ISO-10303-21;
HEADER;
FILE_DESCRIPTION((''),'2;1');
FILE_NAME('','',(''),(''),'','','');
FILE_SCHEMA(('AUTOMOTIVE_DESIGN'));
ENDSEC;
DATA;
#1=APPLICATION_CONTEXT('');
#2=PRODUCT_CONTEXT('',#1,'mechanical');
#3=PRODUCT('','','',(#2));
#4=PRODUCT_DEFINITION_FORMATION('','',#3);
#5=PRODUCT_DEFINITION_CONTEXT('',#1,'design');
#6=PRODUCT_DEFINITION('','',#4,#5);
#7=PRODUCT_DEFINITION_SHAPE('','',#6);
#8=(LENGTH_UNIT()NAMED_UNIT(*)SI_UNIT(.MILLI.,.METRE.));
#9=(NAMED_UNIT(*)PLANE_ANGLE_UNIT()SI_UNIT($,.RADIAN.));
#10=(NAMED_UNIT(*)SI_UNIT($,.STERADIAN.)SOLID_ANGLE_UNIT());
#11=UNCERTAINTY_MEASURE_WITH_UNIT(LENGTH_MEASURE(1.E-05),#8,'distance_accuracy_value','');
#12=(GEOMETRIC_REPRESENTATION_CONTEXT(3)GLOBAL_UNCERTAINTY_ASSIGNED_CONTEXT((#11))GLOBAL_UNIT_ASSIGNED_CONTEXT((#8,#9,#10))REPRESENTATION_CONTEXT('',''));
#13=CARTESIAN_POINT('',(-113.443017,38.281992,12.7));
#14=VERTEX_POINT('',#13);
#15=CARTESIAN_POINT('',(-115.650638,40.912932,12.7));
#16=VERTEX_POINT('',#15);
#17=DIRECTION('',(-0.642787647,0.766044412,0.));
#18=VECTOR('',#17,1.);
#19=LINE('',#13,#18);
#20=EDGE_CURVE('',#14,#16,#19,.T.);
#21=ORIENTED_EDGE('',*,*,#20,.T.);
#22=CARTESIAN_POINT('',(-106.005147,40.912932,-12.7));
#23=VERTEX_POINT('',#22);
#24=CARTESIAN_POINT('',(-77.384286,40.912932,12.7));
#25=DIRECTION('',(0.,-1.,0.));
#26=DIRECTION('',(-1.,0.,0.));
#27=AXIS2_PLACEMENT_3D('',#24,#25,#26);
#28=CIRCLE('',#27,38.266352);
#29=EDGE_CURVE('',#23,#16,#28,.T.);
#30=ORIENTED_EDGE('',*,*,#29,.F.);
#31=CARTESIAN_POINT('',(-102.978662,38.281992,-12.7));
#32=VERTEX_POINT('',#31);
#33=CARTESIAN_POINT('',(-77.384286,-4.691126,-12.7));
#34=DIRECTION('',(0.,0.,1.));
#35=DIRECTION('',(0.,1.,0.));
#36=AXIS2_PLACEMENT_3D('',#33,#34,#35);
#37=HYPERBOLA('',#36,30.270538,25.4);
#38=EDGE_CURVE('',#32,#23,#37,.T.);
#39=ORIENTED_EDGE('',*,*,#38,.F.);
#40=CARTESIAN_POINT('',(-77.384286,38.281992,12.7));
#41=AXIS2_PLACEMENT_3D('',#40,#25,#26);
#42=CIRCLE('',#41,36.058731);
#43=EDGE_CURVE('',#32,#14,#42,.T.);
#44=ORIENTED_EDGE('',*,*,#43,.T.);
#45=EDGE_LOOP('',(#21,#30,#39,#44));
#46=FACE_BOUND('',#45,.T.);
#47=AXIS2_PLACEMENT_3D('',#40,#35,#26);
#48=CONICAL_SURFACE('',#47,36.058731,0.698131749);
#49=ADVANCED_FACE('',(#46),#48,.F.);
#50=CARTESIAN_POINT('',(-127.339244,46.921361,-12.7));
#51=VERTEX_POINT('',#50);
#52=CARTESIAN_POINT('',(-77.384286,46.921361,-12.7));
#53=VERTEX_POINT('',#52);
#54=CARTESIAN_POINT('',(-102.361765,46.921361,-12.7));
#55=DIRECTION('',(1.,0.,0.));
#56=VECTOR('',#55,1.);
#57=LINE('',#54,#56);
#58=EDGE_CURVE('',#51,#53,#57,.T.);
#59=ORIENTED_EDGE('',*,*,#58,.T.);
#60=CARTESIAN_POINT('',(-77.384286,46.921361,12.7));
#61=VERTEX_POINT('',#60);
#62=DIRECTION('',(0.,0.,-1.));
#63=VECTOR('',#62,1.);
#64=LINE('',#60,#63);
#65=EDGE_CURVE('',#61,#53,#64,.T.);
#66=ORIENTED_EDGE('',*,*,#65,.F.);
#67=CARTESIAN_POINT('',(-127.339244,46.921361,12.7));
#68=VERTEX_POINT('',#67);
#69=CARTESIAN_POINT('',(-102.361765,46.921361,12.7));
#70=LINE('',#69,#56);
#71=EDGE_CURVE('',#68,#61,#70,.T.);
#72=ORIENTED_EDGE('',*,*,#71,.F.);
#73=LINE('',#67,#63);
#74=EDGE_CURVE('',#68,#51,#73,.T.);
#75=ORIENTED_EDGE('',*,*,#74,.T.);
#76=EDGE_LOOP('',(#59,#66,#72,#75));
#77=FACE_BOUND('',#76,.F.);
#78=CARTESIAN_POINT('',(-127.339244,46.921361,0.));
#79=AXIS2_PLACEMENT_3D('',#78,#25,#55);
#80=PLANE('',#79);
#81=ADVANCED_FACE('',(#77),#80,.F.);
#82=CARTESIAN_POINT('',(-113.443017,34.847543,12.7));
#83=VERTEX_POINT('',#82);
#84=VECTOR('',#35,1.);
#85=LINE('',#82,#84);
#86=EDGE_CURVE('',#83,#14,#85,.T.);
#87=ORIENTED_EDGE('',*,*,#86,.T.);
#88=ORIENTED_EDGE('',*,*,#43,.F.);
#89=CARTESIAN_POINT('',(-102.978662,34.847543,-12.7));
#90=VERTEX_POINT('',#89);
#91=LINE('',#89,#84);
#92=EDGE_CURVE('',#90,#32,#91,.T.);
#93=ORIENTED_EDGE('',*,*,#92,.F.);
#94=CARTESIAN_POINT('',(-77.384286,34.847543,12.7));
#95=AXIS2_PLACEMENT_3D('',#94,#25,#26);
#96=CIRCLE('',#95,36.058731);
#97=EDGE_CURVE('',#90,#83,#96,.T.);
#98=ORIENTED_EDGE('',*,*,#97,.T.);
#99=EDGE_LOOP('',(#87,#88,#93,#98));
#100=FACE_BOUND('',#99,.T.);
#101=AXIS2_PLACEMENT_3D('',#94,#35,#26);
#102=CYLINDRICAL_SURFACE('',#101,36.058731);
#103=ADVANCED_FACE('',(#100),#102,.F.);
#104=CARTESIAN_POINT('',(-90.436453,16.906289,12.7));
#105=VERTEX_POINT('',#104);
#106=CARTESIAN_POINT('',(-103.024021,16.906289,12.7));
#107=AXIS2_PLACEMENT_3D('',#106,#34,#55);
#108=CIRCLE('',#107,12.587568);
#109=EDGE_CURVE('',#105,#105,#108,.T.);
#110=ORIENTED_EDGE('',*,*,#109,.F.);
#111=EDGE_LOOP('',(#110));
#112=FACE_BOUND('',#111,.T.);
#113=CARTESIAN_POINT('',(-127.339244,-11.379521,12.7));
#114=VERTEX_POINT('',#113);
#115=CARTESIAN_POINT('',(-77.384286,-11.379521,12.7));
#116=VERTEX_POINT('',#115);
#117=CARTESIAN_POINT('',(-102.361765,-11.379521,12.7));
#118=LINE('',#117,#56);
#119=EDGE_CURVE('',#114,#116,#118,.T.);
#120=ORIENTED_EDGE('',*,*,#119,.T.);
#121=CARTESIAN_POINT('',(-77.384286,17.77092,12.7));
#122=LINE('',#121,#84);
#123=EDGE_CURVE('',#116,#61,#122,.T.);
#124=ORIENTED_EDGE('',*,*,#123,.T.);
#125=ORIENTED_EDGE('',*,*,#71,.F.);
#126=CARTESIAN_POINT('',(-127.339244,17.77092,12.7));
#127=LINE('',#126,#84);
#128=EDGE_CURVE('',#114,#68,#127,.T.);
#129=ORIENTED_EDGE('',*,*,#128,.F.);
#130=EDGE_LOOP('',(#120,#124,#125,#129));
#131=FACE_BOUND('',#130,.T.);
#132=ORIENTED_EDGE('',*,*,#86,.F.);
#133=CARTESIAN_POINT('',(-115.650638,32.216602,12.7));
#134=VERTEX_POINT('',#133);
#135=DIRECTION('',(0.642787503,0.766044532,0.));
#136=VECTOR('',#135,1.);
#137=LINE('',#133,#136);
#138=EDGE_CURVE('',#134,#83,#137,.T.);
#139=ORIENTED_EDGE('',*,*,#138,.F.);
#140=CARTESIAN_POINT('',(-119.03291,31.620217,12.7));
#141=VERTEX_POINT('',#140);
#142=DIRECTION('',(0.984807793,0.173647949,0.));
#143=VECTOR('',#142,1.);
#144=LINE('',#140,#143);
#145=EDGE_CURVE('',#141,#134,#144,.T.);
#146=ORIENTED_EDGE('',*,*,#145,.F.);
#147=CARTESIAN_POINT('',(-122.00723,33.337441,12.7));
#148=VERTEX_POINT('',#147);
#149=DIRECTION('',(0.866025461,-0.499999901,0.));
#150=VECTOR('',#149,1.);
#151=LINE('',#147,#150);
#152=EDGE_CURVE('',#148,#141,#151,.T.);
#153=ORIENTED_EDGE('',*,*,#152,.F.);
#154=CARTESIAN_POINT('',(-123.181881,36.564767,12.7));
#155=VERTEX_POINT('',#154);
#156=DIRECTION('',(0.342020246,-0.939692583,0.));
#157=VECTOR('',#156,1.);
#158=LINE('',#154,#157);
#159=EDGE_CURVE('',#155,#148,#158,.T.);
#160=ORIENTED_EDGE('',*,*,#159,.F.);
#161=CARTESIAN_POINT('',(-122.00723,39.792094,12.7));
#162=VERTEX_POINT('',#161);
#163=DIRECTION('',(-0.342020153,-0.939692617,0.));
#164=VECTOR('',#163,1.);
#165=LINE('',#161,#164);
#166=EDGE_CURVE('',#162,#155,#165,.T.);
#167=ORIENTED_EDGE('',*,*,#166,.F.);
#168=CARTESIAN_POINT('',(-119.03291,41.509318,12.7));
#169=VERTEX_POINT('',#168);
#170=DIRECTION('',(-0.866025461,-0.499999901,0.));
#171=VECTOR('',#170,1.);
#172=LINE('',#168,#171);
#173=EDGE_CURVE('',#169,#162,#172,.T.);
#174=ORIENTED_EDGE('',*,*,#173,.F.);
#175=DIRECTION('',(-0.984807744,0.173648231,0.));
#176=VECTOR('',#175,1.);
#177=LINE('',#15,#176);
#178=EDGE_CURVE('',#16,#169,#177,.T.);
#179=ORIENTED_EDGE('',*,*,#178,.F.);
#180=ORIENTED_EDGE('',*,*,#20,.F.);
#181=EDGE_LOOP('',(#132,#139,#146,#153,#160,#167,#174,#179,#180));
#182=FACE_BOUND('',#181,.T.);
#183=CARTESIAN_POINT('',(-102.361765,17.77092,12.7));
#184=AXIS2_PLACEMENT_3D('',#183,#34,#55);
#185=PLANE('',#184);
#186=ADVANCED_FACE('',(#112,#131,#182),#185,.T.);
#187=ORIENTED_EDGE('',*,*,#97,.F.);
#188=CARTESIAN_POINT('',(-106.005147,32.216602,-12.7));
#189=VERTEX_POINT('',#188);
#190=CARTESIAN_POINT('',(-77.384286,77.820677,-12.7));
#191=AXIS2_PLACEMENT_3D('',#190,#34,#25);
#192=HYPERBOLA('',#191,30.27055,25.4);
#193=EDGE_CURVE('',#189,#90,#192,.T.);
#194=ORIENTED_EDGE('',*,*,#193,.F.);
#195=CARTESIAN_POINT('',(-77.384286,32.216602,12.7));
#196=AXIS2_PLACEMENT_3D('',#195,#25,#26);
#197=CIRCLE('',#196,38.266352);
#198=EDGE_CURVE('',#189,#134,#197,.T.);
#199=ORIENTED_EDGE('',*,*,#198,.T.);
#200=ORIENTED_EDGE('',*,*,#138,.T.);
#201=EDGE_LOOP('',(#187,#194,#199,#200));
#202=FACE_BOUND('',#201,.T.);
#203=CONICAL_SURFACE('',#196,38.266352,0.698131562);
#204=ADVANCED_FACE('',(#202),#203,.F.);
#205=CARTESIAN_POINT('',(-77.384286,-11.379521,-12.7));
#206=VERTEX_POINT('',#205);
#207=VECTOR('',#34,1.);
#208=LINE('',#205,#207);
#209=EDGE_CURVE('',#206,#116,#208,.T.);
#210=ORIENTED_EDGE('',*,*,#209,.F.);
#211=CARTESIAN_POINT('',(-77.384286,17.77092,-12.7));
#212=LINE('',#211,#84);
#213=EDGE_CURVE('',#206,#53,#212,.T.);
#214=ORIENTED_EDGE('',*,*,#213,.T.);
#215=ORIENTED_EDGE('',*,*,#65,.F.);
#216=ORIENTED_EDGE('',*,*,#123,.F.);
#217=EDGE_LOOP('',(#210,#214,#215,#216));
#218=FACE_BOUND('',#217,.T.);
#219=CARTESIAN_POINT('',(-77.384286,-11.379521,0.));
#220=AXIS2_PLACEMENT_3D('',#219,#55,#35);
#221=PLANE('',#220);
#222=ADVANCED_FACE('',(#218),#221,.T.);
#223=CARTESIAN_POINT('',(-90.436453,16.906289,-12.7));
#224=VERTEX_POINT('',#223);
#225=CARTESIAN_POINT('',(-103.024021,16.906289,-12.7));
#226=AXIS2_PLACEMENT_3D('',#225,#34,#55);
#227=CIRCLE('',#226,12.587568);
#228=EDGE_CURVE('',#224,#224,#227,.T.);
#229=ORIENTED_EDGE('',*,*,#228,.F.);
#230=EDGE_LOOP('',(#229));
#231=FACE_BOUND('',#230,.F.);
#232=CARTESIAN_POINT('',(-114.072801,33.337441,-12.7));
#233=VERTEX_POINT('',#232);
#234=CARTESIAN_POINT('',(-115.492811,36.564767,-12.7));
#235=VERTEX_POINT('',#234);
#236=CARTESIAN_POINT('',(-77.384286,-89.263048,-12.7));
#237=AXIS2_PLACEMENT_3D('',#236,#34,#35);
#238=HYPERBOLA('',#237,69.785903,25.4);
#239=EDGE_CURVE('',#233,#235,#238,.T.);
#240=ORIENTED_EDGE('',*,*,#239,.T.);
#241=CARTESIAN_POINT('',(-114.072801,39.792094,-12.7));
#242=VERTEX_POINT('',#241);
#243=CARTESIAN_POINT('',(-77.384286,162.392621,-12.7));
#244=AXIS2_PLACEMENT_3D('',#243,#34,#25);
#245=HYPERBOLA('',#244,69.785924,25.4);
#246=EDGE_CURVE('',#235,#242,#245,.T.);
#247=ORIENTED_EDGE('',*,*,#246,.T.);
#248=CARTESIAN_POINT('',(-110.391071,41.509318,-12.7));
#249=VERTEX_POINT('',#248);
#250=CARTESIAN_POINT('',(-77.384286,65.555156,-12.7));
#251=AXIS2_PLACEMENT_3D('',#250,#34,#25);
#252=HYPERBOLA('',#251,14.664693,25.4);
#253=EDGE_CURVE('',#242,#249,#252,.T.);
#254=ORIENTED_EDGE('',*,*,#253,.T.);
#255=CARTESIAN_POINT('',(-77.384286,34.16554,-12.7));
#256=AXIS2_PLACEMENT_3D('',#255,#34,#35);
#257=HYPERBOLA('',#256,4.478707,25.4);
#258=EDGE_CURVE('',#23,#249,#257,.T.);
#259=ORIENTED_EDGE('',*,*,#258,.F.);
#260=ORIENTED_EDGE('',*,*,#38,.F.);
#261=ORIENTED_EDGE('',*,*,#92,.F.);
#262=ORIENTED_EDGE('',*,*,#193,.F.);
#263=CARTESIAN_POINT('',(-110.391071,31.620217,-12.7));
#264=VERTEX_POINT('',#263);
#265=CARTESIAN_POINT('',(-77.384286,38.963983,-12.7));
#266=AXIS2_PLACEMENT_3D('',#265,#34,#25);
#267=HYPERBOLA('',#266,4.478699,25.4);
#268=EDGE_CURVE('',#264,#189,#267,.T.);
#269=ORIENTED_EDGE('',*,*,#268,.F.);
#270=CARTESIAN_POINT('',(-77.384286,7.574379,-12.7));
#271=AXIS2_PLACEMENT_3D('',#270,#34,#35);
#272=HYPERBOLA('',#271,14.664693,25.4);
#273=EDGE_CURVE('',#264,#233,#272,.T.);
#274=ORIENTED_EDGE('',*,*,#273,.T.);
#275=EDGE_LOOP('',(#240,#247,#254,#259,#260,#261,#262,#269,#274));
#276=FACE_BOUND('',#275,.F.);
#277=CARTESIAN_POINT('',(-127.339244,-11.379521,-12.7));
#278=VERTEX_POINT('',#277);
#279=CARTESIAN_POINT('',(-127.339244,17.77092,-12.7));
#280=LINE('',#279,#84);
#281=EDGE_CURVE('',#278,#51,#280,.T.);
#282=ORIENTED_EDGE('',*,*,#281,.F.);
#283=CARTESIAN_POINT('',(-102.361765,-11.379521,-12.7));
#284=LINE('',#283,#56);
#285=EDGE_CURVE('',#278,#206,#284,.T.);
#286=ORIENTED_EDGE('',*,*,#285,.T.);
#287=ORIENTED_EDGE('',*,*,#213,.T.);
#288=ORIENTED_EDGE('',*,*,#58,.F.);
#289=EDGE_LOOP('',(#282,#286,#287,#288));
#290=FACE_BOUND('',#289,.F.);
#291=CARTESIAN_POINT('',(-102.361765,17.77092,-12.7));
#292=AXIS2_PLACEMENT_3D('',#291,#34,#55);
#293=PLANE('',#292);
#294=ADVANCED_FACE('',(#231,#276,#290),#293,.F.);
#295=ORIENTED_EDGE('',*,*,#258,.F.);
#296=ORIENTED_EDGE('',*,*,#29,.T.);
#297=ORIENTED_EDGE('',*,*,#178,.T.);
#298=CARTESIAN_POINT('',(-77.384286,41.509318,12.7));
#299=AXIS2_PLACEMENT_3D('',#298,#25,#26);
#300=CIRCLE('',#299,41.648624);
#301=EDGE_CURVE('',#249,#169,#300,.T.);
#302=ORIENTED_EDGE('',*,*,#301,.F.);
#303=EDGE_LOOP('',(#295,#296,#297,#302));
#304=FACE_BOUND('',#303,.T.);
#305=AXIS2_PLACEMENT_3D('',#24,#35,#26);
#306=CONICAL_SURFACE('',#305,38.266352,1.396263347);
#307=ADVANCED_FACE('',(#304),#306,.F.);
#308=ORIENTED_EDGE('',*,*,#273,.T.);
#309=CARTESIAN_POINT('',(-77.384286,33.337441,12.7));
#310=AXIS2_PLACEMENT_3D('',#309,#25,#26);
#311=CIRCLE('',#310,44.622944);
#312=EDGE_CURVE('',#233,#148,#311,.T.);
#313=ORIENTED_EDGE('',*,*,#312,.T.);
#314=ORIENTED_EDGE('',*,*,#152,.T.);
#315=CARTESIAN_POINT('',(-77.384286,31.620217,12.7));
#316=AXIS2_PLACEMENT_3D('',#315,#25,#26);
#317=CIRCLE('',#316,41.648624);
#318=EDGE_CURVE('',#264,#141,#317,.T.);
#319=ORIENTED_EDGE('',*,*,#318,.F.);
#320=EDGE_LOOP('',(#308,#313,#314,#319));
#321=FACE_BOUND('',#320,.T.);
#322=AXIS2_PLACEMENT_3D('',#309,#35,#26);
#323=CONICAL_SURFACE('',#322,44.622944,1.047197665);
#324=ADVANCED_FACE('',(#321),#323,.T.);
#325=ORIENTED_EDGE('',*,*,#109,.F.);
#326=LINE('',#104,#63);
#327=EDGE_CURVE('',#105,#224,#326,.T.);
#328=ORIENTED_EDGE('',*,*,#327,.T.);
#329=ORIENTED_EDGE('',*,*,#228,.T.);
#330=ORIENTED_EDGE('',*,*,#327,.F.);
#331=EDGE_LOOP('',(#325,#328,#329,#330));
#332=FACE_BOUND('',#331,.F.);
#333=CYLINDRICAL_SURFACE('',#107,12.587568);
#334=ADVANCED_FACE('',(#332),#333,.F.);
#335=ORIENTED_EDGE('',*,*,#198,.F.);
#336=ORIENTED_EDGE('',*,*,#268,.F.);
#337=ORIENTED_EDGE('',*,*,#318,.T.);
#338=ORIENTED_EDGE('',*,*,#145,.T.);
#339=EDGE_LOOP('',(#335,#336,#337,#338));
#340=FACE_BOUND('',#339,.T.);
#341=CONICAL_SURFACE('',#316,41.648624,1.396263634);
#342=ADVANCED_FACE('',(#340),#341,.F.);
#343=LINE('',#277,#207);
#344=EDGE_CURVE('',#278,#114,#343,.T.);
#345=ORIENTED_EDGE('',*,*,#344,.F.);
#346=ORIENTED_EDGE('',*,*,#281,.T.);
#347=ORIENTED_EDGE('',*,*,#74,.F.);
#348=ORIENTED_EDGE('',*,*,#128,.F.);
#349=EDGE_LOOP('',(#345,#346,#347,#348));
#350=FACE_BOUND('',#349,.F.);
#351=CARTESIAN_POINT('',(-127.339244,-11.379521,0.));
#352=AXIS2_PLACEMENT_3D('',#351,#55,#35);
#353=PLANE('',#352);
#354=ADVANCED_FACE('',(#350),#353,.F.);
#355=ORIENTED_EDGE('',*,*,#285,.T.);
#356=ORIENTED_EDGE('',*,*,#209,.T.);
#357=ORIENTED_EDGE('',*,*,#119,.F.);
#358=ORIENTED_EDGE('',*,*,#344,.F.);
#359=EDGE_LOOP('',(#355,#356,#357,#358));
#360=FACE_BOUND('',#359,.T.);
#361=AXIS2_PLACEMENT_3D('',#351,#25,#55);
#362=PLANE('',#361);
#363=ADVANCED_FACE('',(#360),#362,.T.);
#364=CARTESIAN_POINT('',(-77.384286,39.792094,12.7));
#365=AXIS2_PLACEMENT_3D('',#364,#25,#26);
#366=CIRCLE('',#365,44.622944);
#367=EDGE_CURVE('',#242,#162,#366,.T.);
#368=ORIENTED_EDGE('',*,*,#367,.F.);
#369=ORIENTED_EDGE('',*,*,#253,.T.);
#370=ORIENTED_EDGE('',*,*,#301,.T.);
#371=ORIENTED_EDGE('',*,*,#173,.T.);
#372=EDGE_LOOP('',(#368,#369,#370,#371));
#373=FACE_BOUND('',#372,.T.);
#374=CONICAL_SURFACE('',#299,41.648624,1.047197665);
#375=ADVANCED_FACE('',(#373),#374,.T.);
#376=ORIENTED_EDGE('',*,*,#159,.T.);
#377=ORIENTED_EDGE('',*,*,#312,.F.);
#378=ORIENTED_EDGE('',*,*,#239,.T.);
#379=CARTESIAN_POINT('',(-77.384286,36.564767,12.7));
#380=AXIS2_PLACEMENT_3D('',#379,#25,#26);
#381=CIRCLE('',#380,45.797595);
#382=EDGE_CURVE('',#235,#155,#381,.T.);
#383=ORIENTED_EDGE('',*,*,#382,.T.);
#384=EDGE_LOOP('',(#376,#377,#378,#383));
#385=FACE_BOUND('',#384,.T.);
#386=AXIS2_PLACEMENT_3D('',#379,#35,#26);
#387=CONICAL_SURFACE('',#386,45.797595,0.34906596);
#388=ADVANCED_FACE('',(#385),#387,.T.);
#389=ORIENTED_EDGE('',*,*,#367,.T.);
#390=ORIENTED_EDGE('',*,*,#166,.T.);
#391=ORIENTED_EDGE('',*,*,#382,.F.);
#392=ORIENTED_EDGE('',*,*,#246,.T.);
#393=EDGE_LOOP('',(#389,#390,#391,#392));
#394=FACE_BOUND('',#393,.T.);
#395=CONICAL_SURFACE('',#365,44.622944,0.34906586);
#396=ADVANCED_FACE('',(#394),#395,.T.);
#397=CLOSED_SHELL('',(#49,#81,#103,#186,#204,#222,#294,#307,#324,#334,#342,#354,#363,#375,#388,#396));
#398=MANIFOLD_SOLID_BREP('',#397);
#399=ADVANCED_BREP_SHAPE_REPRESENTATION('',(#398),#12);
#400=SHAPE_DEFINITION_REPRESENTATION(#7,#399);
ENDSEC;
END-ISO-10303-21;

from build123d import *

# Parameters (mm, degrees)
F0_W     = 49.954958
F0_H     = 58.300882
F1_DEPTH = 12.7
F2_R     = 12.587568
F3_DEPTH = 25.401


with BuildPart() as f1:
    # F0 (on Top) → F1 (new body, symmetric)
    with BuildSketch(Plane.XY):
        with Locations((-102.361765, 17.77092)):
            Rectangle(F0_W, F0_H)
    extrude(amount=F1_DEPTH, both=True)

    # F2 (on face) → F3 (cut, through all)
    with BuildSketch(Plane.XY.offset(12.7)):
        with Locations((-103.024021, 16.906289)):
            Circle(F2_R)
    extrude(amount=-F3_DEPTH, mode=Mode.SUBTRACT)

    # F4 (on face) → F5 (revolve)
    with BuildSketch(Plane.XY.offset(12.7)):
        Polygon((-113.443017, 34.847543), (-113.443017, 38.281992), (-115.650638, 40.912932), (-119.03291, 41.509318), (-122.00723, 39.792094), (-123.181881, 36.564767), (-122.00723, 33.337441), (-119.03291, 31.620217), (-115.650638, 32.216602), align=None)
    revolve(axis=Axis((-77.384286, 17.77092, 12.7), (0, -1, 0)))


solid = f1.part
